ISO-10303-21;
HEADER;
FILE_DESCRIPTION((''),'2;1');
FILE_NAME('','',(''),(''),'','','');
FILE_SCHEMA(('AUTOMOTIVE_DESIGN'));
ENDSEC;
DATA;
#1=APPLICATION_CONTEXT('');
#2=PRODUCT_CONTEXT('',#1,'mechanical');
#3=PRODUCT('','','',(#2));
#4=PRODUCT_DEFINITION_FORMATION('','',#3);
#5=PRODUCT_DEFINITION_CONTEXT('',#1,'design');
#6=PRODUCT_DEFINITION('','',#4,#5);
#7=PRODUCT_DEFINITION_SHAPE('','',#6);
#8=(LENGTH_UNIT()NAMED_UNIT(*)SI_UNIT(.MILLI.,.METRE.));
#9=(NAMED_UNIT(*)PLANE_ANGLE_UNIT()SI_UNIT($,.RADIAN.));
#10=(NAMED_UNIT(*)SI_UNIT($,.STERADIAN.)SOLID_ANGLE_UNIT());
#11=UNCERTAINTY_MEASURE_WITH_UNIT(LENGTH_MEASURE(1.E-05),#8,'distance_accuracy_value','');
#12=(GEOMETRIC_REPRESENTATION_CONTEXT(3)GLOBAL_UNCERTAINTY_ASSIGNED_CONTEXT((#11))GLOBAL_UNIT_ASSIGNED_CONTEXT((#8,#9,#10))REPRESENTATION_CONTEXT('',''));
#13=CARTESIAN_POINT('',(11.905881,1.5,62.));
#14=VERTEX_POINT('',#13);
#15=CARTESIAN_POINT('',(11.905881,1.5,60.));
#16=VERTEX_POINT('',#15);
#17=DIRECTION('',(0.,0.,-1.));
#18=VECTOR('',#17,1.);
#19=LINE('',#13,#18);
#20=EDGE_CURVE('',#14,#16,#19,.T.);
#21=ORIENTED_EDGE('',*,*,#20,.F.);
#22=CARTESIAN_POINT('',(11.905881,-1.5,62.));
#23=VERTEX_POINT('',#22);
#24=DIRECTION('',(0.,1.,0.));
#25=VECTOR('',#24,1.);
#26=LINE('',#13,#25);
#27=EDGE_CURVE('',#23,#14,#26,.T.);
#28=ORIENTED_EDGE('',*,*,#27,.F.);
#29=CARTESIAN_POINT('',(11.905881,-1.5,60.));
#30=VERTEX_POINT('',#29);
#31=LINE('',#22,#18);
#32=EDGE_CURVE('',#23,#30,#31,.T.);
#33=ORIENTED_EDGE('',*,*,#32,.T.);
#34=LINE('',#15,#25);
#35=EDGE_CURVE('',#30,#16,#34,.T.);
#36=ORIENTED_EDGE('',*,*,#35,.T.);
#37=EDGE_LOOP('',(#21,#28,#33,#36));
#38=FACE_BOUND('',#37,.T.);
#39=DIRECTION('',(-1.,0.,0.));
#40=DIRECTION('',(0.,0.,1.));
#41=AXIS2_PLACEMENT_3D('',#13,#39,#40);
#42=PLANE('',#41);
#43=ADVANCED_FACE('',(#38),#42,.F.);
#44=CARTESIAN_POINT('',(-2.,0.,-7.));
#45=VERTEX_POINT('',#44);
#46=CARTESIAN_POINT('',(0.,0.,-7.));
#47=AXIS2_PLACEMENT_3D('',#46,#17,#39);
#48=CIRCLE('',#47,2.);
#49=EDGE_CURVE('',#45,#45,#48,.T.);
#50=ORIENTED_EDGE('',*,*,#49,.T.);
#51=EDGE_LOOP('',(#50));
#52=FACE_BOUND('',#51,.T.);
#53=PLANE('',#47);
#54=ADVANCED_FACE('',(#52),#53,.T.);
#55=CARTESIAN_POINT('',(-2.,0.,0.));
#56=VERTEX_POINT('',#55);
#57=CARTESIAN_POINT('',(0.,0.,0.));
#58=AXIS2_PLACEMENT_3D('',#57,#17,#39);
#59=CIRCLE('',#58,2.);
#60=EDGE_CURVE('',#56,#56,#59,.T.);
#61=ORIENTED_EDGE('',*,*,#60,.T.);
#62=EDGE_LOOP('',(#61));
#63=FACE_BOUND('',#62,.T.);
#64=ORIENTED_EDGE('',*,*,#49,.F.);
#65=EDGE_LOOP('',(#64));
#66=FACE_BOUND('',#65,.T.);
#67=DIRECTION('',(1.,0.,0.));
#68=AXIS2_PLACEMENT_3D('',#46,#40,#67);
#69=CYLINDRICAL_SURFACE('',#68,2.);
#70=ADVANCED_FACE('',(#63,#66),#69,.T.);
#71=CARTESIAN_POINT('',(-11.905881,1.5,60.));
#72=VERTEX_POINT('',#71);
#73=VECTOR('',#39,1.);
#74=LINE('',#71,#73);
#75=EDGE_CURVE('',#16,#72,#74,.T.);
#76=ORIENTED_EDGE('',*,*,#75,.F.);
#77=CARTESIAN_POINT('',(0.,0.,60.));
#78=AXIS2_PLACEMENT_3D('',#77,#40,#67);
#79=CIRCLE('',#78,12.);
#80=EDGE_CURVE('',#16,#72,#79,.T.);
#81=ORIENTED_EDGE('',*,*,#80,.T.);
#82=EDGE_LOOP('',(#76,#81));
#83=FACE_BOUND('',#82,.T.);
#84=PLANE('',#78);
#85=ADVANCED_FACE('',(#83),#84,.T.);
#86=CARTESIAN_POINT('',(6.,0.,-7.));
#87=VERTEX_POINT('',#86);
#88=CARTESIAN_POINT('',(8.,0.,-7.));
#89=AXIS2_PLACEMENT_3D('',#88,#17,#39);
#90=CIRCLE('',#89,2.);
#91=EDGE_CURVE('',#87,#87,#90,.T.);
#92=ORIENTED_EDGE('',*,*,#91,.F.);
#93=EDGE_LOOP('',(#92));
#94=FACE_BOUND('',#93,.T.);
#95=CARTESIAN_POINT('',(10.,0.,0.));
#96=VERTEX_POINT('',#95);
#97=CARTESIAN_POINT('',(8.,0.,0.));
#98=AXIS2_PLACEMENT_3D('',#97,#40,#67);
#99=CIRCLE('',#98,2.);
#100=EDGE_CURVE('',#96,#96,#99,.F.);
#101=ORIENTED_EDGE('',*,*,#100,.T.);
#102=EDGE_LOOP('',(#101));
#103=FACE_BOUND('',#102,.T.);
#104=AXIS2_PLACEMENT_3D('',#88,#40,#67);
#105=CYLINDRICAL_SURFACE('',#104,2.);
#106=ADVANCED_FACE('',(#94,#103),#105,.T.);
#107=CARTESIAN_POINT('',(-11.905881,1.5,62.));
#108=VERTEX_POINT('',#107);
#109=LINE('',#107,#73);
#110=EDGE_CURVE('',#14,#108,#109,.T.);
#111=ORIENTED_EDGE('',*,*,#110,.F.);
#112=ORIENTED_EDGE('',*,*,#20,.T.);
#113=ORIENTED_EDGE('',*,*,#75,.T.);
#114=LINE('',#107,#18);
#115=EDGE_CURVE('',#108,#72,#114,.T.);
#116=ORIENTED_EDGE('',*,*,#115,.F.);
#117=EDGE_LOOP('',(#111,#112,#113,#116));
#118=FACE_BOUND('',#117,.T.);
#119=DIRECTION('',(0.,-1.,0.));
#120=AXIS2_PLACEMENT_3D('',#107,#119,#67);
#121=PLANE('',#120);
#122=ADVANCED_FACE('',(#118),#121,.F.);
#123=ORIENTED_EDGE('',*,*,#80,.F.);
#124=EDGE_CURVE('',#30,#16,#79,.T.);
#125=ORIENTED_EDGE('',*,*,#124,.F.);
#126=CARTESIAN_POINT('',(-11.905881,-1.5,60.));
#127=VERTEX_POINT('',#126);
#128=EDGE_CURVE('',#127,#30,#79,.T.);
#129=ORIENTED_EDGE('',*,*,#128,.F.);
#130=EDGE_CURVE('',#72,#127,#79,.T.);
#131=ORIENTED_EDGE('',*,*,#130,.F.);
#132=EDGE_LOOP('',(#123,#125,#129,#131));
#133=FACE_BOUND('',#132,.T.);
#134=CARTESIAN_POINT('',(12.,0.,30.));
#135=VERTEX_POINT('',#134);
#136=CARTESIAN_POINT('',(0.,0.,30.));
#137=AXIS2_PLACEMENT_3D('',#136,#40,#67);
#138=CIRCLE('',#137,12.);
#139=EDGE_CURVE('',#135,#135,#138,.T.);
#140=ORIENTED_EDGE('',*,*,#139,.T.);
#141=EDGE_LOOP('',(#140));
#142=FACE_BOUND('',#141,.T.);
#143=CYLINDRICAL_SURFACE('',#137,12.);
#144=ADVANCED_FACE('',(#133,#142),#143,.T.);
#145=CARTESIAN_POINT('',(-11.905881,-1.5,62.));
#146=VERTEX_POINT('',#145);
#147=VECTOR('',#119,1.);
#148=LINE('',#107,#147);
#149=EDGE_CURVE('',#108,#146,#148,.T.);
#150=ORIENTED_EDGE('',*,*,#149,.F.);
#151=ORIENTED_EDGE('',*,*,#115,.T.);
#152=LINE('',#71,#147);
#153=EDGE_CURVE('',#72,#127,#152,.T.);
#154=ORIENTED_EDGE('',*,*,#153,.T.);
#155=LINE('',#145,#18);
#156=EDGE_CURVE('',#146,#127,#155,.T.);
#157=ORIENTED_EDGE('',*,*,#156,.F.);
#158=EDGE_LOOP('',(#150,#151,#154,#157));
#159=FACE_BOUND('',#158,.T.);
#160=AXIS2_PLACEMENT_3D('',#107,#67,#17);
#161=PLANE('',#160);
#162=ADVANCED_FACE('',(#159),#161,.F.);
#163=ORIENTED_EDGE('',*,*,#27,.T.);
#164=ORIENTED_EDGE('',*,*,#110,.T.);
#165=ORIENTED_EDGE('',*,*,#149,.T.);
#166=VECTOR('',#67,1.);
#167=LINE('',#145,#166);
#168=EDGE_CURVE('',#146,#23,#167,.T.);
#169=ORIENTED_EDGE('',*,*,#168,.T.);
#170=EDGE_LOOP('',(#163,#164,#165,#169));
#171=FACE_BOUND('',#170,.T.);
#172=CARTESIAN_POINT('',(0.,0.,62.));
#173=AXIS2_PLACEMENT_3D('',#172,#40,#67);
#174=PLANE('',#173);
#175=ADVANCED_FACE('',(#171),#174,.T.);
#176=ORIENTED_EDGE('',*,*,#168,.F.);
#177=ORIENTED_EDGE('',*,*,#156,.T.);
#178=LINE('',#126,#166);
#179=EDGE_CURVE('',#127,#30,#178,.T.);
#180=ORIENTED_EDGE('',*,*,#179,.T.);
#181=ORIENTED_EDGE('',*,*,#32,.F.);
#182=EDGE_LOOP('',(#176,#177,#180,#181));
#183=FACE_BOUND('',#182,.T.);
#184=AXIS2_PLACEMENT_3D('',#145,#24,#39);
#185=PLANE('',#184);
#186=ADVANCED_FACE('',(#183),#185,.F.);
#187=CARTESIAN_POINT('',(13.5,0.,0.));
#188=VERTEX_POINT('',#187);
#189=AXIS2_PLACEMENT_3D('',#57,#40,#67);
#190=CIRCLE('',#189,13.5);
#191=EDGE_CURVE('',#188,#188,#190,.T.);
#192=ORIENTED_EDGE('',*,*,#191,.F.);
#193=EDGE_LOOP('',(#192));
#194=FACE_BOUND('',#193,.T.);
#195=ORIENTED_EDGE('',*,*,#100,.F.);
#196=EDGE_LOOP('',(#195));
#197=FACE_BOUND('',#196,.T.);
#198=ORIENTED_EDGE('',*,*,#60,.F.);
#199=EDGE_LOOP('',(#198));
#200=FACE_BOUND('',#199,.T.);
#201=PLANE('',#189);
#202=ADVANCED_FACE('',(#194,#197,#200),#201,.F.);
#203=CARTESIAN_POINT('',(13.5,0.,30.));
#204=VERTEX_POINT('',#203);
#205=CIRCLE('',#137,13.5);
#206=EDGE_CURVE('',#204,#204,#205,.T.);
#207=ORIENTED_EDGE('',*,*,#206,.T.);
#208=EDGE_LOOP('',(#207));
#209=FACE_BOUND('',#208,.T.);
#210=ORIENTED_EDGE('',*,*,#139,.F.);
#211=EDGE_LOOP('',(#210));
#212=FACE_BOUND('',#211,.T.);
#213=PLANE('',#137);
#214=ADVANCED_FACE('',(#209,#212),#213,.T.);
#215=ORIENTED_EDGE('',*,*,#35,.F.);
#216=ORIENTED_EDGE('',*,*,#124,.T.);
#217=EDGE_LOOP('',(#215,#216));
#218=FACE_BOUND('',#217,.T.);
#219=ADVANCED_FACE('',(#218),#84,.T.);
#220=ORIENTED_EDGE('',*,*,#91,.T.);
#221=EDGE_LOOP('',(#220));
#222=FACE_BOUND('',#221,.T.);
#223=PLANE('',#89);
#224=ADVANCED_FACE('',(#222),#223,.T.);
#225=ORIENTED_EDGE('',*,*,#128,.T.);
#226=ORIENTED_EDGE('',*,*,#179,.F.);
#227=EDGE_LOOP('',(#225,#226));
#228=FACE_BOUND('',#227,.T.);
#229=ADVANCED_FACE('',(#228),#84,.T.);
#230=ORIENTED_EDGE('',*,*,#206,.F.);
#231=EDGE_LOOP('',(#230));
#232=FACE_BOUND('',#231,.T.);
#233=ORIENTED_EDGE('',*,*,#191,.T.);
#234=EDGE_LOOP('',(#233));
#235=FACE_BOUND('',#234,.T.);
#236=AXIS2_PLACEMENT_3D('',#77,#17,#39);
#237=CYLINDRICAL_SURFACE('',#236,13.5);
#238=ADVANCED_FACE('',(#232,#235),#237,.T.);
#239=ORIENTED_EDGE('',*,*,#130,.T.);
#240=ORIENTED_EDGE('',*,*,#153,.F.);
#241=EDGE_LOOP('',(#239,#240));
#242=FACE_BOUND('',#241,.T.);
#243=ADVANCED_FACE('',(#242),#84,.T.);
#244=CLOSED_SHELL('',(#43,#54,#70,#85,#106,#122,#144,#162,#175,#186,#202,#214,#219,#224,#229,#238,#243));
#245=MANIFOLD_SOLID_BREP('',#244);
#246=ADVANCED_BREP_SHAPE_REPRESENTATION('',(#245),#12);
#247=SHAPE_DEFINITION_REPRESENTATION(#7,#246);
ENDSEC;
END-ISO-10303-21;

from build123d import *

# Parameters (mm, degrees)
SKETCH1_R           = 13.5
BOSS_EXTRUDE1_DEPTH = 60
CUT_EXTRUDE1_START  = -30
SKETCH2_R           = 13.5
SKETCH2_R_2         = 12
CUT_EXTRUDE1_DEPTH  = 30
SKETCH3_R           = 2
BOSS_EXTRUDE2_DEPTH = 7
SKETCH4_W           = 23.8117618
SKETCH4_H           = 3
BOSS_EXTRUDE3_DEPTH = 2


with BuildPart() as part:
    # Sketch1 → Boss-Extrude1 (new body)
    with BuildSketch(Plane.XY):
        Circle(SKETCH1_R)
    extrude(amount=BOSS_EXTRUDE1_DEPTH)

    # Sketch2 → Cut-Extrude1 (cut)
    with BuildSketch(Plane.XY.offset(60).offset(CUT_EXTRUDE1_START)):
        Circle(SKETCH2_R)
        Circle(SKETCH2_R_2, mode=Mode.SUBTRACT)
    extrude(amount=CUT_EXTRUDE1_DEPTH, mode=Mode.SUBTRACT)

    # Sketch3 → Boss-Extrude2 (add)
    with BuildSketch(Plane(origin=(0, 0, 0), x_dir=(-1, 0, 0), z_dir=(0, 0, -1))):
        Circle(SKETCH3_R)
        with Locations(Location((-8, 0, 0), (0, 0, 180))):
            Circle(SKETCH3_R)
    extrude(amount=BOSS_EXTRUDE2_DEPTH)

    # Sketch4 → Boss-Extrude3 (add)
    with BuildSketch(Plane.XY.offset(60)):
        Rectangle(SKETCH4_W, SKETCH4_H)
    extrude(amount=BOSS_EXTRUDE3_DEPTH)


solid = part.part
